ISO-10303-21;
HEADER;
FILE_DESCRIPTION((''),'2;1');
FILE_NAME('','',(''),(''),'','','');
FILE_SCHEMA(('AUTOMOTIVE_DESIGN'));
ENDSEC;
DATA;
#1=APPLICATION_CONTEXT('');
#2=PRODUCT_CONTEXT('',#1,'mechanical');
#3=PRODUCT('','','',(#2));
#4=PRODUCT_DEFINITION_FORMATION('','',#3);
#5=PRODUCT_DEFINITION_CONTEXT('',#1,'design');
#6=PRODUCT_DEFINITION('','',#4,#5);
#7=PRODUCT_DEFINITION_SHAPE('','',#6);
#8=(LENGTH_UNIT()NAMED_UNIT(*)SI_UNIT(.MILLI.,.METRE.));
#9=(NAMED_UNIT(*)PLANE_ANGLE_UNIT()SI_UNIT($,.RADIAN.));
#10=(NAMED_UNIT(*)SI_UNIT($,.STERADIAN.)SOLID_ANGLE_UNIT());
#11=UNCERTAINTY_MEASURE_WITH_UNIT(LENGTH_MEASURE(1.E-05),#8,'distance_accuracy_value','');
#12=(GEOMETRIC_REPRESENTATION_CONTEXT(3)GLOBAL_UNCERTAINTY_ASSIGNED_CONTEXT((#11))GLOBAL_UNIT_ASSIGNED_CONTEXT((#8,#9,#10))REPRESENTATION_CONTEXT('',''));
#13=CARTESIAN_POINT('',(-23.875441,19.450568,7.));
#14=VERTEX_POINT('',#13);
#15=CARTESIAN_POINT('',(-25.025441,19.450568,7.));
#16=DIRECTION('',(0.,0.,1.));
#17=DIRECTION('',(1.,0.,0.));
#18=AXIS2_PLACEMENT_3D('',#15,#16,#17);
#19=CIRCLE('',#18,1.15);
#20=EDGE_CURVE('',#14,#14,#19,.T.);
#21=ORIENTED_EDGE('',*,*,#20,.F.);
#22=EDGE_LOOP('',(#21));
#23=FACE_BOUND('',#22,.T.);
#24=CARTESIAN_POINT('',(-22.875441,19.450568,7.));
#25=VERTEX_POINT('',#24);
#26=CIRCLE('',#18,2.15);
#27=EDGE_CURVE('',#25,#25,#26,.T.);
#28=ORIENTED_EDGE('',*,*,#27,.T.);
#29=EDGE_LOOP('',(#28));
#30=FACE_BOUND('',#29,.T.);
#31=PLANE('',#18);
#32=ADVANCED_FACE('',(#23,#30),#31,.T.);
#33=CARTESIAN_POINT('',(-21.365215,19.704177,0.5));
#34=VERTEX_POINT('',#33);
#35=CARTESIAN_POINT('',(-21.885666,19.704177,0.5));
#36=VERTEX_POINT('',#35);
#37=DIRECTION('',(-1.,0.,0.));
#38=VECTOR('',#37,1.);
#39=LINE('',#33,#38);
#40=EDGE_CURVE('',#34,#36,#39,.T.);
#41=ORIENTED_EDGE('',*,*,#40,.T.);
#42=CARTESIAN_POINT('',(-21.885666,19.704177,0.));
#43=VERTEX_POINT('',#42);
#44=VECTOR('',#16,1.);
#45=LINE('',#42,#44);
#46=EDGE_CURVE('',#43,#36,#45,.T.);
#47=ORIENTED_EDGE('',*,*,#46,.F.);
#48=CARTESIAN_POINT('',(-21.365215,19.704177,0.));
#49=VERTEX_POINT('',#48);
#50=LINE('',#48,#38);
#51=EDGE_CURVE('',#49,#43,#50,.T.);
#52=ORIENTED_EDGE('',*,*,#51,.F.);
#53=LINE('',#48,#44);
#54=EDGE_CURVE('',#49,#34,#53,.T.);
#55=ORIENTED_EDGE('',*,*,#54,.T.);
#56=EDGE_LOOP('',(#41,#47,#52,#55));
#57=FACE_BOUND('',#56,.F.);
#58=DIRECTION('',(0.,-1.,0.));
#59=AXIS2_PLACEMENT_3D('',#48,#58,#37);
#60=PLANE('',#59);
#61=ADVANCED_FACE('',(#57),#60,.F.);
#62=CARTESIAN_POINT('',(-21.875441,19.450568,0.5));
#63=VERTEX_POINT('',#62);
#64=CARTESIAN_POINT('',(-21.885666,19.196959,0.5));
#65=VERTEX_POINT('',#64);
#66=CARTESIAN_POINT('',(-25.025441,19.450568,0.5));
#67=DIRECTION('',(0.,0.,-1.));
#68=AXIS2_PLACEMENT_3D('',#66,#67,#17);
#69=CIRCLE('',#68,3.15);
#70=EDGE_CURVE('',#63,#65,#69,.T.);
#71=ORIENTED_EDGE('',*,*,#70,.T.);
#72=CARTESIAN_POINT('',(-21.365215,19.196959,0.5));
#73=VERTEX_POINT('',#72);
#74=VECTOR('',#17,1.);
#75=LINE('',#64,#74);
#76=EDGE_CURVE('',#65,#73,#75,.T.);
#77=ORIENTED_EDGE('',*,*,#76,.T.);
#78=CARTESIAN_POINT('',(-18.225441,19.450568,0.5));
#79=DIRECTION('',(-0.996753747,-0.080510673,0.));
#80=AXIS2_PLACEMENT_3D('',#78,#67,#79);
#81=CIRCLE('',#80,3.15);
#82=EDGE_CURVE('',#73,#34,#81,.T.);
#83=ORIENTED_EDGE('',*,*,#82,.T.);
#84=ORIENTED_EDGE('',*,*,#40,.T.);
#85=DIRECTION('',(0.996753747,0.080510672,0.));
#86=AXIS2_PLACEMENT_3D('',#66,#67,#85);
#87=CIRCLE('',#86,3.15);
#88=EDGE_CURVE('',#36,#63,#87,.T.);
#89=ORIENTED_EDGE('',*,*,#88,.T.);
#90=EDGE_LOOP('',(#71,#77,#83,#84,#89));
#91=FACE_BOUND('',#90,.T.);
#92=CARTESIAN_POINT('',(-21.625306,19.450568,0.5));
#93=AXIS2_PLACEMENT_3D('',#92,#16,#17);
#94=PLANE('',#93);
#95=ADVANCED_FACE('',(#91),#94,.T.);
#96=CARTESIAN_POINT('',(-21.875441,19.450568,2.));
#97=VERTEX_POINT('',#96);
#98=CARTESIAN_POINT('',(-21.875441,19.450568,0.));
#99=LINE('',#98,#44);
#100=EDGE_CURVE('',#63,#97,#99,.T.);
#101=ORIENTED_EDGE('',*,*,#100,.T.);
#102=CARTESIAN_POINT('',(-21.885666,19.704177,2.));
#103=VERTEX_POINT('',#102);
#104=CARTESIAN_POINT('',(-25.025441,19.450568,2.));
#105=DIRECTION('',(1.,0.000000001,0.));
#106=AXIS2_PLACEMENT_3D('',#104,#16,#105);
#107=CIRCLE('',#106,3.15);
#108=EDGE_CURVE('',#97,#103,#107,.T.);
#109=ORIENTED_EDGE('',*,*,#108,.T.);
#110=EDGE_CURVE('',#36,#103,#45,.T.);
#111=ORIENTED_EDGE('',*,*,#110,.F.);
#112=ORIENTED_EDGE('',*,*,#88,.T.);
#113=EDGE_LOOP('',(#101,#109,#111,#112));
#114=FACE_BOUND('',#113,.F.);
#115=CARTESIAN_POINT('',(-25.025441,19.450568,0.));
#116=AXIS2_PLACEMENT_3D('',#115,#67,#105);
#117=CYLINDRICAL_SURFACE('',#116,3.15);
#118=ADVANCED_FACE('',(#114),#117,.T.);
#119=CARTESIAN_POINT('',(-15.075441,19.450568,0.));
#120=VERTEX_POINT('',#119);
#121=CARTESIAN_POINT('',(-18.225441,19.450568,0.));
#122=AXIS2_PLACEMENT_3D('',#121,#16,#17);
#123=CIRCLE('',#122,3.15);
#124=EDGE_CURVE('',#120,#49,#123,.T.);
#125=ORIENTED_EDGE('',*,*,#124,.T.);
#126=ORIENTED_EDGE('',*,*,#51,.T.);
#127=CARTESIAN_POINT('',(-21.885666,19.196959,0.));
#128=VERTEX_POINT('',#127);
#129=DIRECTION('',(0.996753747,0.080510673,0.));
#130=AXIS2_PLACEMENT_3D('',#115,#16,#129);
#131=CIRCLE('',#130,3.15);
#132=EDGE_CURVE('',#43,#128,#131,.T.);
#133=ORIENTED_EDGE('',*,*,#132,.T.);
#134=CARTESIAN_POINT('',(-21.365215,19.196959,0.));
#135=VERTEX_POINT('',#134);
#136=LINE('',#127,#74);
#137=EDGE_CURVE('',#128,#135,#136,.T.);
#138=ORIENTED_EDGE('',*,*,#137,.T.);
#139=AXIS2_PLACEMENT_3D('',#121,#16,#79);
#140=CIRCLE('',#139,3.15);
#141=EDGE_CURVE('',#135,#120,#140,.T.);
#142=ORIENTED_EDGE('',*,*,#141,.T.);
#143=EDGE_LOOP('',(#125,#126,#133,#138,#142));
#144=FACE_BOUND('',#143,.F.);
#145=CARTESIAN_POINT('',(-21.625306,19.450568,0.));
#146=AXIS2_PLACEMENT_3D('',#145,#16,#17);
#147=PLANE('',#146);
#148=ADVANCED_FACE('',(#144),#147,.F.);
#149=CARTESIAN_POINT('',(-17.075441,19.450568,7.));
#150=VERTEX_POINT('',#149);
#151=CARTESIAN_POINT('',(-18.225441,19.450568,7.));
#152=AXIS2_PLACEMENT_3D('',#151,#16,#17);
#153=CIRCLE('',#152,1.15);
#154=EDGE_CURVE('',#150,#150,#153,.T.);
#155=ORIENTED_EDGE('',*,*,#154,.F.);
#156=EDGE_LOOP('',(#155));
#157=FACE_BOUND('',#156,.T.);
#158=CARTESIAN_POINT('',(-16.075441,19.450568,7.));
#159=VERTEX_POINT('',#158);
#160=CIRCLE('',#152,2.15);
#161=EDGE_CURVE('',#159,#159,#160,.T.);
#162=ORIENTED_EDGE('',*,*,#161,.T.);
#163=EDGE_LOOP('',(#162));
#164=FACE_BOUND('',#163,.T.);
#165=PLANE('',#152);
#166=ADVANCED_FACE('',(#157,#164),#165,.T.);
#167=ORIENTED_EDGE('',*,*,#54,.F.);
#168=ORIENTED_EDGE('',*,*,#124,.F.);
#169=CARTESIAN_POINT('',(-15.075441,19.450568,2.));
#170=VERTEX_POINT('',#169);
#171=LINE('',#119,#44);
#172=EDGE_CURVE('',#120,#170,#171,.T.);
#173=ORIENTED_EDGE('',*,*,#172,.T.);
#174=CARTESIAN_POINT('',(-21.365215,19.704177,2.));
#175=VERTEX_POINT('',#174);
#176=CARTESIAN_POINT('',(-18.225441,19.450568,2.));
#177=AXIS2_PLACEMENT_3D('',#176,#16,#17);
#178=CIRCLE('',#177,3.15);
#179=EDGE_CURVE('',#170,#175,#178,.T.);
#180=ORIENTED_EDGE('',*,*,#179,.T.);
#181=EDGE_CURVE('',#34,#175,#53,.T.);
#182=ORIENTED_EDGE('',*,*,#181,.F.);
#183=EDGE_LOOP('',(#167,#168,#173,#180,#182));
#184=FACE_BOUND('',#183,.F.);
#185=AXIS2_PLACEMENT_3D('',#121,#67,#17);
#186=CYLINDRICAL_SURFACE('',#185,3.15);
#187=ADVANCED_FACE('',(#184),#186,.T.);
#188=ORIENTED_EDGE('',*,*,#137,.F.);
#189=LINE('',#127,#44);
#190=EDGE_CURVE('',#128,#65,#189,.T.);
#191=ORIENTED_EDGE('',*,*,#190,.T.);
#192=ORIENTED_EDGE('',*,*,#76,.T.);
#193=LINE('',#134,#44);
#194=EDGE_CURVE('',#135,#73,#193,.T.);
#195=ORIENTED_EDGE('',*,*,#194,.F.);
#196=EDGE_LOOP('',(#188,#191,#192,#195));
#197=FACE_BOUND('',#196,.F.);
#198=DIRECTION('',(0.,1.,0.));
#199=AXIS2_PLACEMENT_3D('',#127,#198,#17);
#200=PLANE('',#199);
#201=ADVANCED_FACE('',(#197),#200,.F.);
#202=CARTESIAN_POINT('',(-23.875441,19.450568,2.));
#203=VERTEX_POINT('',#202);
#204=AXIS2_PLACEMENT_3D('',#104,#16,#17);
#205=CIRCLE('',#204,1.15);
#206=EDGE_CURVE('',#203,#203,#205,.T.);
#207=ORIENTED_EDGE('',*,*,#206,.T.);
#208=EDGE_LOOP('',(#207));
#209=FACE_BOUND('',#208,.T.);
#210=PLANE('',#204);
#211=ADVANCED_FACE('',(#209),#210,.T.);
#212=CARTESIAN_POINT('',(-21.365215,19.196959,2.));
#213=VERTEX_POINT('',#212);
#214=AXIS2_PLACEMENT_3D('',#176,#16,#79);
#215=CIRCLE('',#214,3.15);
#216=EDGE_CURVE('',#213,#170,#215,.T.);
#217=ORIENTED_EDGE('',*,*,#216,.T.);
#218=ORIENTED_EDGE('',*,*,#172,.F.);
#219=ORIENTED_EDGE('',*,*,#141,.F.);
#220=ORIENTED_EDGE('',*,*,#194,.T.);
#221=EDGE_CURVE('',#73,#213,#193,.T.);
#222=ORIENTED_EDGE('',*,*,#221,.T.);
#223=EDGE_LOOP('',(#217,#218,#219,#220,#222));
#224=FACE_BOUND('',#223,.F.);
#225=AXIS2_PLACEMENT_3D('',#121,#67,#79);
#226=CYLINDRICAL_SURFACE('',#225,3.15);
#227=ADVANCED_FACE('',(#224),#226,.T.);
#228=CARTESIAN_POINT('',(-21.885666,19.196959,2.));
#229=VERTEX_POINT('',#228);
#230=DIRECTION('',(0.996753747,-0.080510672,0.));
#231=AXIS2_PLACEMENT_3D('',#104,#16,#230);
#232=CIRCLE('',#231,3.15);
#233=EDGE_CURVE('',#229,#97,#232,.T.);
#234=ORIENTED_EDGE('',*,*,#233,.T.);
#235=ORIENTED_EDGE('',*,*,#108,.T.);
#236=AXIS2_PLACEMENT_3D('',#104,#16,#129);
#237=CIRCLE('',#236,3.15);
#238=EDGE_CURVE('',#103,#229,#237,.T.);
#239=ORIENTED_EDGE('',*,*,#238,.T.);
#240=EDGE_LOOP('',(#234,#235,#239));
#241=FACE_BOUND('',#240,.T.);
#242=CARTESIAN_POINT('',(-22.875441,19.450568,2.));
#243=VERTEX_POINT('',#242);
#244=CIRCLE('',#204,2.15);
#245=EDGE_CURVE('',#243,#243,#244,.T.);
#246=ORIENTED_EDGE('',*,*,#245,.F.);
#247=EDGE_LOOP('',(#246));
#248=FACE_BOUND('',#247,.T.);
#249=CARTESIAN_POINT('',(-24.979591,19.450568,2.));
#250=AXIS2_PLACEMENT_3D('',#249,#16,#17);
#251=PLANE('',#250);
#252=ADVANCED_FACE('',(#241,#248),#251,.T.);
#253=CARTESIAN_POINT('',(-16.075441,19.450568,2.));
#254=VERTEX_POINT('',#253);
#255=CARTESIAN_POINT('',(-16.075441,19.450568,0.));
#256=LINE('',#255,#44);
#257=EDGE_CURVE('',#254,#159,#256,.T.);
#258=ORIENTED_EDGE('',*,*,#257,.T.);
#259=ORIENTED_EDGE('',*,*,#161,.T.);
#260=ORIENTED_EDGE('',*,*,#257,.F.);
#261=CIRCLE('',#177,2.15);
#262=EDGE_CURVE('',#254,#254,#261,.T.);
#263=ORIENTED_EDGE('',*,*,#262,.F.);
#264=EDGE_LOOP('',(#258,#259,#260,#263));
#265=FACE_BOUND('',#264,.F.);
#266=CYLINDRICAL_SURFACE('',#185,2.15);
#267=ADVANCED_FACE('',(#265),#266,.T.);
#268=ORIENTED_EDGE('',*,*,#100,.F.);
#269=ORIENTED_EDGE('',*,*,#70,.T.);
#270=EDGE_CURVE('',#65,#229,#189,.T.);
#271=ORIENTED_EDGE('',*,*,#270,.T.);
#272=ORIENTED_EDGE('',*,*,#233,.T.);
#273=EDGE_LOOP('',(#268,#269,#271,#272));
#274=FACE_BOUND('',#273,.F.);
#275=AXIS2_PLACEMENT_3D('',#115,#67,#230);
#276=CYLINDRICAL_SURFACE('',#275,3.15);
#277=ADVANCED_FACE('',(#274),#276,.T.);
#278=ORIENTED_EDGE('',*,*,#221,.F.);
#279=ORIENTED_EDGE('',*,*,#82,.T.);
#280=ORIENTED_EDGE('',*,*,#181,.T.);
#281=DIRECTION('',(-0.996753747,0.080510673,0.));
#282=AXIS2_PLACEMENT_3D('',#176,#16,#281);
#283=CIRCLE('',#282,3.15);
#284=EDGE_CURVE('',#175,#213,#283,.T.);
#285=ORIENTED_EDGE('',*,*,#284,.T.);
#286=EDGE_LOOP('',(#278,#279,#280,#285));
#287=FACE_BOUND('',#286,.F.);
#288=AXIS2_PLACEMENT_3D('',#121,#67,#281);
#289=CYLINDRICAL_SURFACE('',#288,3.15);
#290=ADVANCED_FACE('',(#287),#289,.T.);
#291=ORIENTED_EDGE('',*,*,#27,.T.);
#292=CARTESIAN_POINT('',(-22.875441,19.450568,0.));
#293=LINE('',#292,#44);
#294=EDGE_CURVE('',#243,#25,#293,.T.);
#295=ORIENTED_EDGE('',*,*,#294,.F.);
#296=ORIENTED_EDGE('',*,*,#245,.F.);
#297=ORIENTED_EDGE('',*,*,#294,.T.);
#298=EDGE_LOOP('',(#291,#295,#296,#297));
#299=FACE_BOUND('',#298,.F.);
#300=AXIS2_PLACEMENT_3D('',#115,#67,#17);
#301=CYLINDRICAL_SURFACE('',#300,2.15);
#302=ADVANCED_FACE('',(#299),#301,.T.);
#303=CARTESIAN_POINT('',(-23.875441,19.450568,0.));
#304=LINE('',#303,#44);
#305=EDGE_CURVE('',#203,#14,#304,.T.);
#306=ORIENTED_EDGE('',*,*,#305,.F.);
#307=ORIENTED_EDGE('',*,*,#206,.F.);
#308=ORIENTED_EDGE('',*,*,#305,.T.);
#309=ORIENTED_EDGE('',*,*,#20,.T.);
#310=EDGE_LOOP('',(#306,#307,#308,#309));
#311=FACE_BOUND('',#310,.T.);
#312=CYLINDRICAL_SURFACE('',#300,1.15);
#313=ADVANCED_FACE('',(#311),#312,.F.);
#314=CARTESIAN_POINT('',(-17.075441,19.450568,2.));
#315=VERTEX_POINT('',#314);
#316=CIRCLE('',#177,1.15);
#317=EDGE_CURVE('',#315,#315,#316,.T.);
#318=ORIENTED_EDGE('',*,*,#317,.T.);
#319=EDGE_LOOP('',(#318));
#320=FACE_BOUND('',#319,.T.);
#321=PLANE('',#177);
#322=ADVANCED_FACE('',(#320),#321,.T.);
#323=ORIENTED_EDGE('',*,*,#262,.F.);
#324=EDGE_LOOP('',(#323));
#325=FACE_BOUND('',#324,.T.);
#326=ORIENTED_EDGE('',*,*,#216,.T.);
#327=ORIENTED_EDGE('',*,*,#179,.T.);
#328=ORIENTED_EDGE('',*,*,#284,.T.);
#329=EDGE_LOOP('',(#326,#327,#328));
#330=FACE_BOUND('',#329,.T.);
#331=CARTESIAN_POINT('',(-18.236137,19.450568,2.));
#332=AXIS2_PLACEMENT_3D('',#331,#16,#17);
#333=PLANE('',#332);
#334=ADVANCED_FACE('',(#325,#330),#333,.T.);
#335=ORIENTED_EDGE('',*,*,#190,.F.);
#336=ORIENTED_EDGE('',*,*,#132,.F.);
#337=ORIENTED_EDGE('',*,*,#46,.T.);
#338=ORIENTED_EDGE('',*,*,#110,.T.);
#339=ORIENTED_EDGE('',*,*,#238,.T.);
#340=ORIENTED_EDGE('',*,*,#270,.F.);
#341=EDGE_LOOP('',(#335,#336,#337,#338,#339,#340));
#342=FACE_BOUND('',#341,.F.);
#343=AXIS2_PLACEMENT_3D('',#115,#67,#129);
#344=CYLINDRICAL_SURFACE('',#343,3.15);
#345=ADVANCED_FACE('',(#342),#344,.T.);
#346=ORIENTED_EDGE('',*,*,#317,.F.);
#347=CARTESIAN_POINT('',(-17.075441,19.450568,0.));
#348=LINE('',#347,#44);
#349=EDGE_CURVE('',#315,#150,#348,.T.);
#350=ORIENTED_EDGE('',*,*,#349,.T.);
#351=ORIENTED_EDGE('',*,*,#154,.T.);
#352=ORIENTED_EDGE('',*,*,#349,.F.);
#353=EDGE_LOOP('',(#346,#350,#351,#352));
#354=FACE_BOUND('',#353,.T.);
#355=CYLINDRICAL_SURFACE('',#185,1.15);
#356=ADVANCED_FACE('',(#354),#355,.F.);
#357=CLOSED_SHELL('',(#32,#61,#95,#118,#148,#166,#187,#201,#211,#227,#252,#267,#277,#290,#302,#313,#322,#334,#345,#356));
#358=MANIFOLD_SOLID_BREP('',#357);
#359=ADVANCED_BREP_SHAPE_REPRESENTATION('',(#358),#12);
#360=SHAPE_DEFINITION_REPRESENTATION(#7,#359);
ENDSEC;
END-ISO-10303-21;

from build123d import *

# Parameters (mm, degrees)
F0_R     = 2.15
F0_R_2   = 1.15
F1_DEPTH = 7
F2_DEPTH = 2
F3_DEPTH = 0.5


with BuildPart() as f1:
    # F0 (on Top) → F1 (new body)
    with BuildSketch(Plane.XY):
        with Locations((-25.0254408006, 19.4505679031)):
            Circle(F0_R)
        with Locations((-25.0254408006, 19.4505679031)):
            Circle(F0_R_2, mode=Mode.SUBTRACT)
    extrude(amount=F1_DEPTH)

    # F0 (on Top) → F2 (join)
    with BuildSketch(Plane.XY):
        with BuildLine():
            ThreePointArc((-21.8856664985, 19.1969592827), (-21.8779982633, 19.3236605577), (-21.8754408006, 19.4505679031))
            ThreePointArc((-21.8754408006, 19.4505679031), (-21.8779982633, 19.5774752484), (-21.8856664985, 19.7041765234))
            ThreePointArc((-21.8856664985, 19.7041765234), (-28.1754408006, 19.4505679031), (-21.8856664985, 19.1969592827))
        make_face()
        with Locations((-25.0254408006, 19.4505679031)):
            Circle(F0_R, mode=Mode.SUBTRACT)
        with Locations((-25.0254408006, 19.4505679031)):
            Circle(F0_R_2)
    extrude(amount=F2_DEPTH)



with BuildPart() as f1b:
    # F0 (on Top) → F1, piece 2 (new body)
    with BuildSketch(Plane.XY):
        with Locations((-18.2254408006, 19.4505679031)):
            Circle(F0_R)
        with Locations((-18.2254408006, 19.4505679031)):
            Circle(F0_R_2, mode=Mode.SUBTRACT)
    extrude(amount=F1_DEPTH)

    # F0 (on Top) → F2, piece 2 (join)
    with BuildSketch(Plane.XY):
        with BuildLine():
            ThreePointArc((-15.0754408006, 19.4505679031), (-18.0985334552, 22.5980104404), (-21.3652151026, 19.7041765234))
            ThreePointArc((-21.3652151026, 19.7041765234), (-21.3754408006, 19.4505679031), (-21.3652151026, 19.1969592827))
            ThreePointArc((-21.3652151026, 19.1969592827), (-18.0985334552, 16.3031253657), (-15.0754408006, 19.4505679031))
        make_face()
        with Locations((-18.2254408006, 19.4505679031)):
            Circle(F0_R, mode=Mode.SUBTRACT)
        with Locations((-18.2254408006, 19.4505679031)):
            Circle(F0_R_2)
    extrude(amount=F2_DEPTH)


with BuildPart() as f1_1:
    add(f1.part)

    add(f1b.part)  # F3 merges F1b
    # F0 (on Top) → F3 (join)
    with BuildSketch(Plane.XY):
        with BuildLine():
            ThreePointArc((-21.8856664985, 19.7041765234), (-21.8779982633, 19.5774752484), (-21.8754408006, 19.4505679031))
            ThreePointArc((-21.8754408006, 19.4505679031), (-21.8779982633, 19.3236605577), (-21.8856664985, 19.1969592827))
            Line((-21.8856664985, 19.1969592827), (-21.3652151026, 19.1969592827))
            ThreePointArc((-21.3652151026, 19.1969592827), (-21.3754408006, 19.4505679031), (-21.3652151026, 19.7041765234))
            Line((-21.3652151026, 19.7041765234), (-21.8856664985, 19.7041765234))
        make_face()
    extrude(amount=F3_DEPTH)


solid = f1_1.part
